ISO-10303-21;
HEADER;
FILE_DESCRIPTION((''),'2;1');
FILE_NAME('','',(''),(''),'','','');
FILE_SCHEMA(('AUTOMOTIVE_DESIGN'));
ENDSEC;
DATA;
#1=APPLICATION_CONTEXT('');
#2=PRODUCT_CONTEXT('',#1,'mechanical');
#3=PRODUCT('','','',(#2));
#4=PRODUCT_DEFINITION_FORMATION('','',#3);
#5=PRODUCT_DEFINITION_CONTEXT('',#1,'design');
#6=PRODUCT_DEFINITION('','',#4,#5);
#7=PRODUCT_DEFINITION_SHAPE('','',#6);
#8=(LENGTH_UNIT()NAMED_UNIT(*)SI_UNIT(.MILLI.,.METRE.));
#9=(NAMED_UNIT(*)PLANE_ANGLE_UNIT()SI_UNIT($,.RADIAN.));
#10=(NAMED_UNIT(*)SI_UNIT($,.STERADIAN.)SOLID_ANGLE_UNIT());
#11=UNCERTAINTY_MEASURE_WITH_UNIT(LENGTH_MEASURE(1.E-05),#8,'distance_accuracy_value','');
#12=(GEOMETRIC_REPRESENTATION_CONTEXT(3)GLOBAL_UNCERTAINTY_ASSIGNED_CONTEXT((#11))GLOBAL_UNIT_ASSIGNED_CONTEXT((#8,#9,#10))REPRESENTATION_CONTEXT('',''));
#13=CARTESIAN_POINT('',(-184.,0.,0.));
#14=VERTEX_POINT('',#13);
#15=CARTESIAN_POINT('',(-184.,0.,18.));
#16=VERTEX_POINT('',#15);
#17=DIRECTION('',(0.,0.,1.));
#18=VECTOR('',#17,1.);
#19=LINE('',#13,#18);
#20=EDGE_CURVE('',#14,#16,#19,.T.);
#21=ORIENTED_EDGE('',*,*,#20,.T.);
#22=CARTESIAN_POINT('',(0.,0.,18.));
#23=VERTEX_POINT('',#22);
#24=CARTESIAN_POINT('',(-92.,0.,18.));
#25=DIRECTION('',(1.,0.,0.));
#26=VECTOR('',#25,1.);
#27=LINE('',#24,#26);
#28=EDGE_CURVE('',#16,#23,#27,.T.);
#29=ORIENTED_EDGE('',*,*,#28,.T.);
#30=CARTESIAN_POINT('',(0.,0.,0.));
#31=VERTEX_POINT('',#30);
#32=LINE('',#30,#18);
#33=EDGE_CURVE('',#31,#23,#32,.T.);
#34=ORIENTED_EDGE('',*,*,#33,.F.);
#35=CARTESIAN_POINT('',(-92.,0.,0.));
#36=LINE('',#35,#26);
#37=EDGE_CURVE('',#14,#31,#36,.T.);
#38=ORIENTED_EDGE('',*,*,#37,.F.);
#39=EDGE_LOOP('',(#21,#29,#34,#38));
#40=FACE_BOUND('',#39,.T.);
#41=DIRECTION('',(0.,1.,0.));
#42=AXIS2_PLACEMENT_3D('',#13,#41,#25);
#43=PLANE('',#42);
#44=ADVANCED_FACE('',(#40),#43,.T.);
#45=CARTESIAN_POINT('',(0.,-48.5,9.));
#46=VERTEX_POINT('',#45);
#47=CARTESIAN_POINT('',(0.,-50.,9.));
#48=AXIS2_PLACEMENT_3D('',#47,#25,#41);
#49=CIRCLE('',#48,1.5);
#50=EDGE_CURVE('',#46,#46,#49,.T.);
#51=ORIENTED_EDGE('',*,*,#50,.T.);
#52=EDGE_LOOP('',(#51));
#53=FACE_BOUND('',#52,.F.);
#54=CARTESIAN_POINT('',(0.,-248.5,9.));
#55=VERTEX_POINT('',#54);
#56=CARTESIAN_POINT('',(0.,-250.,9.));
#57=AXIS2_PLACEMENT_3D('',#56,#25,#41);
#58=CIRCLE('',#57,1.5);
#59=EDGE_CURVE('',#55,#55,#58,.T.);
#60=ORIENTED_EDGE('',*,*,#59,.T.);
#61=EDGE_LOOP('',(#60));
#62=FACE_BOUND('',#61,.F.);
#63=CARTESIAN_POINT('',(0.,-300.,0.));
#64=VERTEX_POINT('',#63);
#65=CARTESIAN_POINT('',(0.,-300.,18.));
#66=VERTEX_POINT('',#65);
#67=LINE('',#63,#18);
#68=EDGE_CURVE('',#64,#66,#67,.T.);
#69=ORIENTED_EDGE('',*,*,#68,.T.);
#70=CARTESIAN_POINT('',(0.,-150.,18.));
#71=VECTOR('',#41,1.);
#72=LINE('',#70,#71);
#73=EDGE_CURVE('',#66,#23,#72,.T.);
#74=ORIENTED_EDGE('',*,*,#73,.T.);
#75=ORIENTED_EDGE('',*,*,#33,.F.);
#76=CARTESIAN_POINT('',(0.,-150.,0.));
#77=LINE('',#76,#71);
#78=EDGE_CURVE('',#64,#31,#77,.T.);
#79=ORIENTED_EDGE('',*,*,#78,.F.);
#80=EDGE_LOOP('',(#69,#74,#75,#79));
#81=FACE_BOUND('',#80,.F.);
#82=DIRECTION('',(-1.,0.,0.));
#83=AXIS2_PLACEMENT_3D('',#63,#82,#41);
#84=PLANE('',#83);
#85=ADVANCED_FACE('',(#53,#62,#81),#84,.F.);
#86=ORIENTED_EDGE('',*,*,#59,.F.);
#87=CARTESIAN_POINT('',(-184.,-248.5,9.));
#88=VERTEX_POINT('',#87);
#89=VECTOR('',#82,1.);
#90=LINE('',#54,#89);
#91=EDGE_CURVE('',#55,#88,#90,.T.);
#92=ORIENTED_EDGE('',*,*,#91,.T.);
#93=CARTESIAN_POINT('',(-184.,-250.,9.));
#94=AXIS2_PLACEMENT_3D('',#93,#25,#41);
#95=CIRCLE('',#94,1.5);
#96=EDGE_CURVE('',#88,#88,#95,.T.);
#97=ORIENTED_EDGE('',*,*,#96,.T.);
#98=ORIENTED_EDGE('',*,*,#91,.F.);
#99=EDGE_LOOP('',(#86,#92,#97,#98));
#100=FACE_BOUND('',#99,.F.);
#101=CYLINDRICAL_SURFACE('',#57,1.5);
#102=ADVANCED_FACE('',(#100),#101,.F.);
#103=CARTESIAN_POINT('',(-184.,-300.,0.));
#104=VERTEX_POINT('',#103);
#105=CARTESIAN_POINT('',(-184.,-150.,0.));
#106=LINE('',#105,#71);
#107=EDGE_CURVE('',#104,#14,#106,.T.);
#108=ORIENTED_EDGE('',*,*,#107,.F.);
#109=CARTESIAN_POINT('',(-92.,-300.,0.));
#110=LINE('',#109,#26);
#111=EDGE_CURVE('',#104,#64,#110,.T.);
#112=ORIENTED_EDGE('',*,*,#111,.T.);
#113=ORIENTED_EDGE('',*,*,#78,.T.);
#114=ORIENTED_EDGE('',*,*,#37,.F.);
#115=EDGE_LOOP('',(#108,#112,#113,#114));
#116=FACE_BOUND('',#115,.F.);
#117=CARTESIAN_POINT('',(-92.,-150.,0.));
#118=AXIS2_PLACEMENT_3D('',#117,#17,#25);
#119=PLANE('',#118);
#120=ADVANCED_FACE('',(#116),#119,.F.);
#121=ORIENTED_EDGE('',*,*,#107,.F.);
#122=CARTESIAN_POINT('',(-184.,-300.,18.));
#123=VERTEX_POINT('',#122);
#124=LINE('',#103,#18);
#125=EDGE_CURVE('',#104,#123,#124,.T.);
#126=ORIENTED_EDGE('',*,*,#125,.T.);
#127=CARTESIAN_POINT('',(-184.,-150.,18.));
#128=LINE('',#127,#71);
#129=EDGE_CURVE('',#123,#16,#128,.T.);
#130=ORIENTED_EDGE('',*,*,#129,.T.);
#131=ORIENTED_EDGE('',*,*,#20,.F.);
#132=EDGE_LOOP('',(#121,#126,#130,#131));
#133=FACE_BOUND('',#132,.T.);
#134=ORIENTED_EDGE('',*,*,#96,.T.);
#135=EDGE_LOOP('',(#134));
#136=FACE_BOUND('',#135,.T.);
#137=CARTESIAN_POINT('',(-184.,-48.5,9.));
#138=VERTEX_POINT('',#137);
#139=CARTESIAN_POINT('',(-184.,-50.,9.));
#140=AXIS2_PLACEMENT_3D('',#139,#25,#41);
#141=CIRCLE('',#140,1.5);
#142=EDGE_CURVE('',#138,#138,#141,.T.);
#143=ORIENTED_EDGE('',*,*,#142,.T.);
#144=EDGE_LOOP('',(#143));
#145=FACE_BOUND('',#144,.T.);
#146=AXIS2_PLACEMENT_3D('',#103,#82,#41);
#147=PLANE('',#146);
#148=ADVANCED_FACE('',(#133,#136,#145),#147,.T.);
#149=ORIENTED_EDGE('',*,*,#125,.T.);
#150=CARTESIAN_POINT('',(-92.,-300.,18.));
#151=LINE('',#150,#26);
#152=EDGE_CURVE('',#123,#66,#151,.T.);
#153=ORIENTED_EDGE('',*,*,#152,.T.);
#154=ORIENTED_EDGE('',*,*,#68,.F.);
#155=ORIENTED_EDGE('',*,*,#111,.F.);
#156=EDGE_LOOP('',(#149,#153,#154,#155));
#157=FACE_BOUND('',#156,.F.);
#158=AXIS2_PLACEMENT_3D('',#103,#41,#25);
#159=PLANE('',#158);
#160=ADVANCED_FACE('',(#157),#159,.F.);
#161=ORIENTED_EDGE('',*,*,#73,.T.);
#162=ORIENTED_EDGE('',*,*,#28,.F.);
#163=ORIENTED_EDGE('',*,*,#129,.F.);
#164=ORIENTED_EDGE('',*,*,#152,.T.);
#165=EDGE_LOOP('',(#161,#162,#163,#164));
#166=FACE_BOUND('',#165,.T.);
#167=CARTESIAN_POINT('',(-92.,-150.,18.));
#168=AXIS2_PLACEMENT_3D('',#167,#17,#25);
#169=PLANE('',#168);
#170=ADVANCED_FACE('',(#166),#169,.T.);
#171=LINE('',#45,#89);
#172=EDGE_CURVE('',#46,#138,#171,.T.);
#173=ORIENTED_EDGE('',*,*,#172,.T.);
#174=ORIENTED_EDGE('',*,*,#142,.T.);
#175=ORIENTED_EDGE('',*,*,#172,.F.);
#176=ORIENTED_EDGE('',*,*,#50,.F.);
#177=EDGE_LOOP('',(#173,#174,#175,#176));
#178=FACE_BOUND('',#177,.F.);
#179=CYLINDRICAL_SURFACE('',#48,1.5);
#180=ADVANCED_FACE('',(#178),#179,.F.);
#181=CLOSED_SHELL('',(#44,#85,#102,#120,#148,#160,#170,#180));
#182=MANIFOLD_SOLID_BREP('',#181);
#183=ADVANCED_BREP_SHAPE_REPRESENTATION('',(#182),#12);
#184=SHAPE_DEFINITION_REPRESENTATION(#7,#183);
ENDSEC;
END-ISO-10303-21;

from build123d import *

# Parameters (mm, degrees)
F0_W     = 184
F0_H     = 300
F1_DEPTH = 18
F2_R     = 1.5
F3_DEPTH = 184.001


with BuildPart() as f1:
    # F0 (on Top) → F1 (new body)
    with BuildSketch(Plane.XY):
        with Locations((-92, -150)):
            Rectangle(F0_W, F0_H)
    extrude(amount=F1_DEPTH)

    # F2 (on face) → F3 (cut, through all)
    with BuildSketch(Plane.YZ):
        with Locations((-250, 9)):
            Circle(F2_R)
        with Locations((-50, 9)):
            Circle(F2_R)
    extrude(amount=-F3_DEPTH, mode=Mode.SUBTRACT)


solid = f1.part
